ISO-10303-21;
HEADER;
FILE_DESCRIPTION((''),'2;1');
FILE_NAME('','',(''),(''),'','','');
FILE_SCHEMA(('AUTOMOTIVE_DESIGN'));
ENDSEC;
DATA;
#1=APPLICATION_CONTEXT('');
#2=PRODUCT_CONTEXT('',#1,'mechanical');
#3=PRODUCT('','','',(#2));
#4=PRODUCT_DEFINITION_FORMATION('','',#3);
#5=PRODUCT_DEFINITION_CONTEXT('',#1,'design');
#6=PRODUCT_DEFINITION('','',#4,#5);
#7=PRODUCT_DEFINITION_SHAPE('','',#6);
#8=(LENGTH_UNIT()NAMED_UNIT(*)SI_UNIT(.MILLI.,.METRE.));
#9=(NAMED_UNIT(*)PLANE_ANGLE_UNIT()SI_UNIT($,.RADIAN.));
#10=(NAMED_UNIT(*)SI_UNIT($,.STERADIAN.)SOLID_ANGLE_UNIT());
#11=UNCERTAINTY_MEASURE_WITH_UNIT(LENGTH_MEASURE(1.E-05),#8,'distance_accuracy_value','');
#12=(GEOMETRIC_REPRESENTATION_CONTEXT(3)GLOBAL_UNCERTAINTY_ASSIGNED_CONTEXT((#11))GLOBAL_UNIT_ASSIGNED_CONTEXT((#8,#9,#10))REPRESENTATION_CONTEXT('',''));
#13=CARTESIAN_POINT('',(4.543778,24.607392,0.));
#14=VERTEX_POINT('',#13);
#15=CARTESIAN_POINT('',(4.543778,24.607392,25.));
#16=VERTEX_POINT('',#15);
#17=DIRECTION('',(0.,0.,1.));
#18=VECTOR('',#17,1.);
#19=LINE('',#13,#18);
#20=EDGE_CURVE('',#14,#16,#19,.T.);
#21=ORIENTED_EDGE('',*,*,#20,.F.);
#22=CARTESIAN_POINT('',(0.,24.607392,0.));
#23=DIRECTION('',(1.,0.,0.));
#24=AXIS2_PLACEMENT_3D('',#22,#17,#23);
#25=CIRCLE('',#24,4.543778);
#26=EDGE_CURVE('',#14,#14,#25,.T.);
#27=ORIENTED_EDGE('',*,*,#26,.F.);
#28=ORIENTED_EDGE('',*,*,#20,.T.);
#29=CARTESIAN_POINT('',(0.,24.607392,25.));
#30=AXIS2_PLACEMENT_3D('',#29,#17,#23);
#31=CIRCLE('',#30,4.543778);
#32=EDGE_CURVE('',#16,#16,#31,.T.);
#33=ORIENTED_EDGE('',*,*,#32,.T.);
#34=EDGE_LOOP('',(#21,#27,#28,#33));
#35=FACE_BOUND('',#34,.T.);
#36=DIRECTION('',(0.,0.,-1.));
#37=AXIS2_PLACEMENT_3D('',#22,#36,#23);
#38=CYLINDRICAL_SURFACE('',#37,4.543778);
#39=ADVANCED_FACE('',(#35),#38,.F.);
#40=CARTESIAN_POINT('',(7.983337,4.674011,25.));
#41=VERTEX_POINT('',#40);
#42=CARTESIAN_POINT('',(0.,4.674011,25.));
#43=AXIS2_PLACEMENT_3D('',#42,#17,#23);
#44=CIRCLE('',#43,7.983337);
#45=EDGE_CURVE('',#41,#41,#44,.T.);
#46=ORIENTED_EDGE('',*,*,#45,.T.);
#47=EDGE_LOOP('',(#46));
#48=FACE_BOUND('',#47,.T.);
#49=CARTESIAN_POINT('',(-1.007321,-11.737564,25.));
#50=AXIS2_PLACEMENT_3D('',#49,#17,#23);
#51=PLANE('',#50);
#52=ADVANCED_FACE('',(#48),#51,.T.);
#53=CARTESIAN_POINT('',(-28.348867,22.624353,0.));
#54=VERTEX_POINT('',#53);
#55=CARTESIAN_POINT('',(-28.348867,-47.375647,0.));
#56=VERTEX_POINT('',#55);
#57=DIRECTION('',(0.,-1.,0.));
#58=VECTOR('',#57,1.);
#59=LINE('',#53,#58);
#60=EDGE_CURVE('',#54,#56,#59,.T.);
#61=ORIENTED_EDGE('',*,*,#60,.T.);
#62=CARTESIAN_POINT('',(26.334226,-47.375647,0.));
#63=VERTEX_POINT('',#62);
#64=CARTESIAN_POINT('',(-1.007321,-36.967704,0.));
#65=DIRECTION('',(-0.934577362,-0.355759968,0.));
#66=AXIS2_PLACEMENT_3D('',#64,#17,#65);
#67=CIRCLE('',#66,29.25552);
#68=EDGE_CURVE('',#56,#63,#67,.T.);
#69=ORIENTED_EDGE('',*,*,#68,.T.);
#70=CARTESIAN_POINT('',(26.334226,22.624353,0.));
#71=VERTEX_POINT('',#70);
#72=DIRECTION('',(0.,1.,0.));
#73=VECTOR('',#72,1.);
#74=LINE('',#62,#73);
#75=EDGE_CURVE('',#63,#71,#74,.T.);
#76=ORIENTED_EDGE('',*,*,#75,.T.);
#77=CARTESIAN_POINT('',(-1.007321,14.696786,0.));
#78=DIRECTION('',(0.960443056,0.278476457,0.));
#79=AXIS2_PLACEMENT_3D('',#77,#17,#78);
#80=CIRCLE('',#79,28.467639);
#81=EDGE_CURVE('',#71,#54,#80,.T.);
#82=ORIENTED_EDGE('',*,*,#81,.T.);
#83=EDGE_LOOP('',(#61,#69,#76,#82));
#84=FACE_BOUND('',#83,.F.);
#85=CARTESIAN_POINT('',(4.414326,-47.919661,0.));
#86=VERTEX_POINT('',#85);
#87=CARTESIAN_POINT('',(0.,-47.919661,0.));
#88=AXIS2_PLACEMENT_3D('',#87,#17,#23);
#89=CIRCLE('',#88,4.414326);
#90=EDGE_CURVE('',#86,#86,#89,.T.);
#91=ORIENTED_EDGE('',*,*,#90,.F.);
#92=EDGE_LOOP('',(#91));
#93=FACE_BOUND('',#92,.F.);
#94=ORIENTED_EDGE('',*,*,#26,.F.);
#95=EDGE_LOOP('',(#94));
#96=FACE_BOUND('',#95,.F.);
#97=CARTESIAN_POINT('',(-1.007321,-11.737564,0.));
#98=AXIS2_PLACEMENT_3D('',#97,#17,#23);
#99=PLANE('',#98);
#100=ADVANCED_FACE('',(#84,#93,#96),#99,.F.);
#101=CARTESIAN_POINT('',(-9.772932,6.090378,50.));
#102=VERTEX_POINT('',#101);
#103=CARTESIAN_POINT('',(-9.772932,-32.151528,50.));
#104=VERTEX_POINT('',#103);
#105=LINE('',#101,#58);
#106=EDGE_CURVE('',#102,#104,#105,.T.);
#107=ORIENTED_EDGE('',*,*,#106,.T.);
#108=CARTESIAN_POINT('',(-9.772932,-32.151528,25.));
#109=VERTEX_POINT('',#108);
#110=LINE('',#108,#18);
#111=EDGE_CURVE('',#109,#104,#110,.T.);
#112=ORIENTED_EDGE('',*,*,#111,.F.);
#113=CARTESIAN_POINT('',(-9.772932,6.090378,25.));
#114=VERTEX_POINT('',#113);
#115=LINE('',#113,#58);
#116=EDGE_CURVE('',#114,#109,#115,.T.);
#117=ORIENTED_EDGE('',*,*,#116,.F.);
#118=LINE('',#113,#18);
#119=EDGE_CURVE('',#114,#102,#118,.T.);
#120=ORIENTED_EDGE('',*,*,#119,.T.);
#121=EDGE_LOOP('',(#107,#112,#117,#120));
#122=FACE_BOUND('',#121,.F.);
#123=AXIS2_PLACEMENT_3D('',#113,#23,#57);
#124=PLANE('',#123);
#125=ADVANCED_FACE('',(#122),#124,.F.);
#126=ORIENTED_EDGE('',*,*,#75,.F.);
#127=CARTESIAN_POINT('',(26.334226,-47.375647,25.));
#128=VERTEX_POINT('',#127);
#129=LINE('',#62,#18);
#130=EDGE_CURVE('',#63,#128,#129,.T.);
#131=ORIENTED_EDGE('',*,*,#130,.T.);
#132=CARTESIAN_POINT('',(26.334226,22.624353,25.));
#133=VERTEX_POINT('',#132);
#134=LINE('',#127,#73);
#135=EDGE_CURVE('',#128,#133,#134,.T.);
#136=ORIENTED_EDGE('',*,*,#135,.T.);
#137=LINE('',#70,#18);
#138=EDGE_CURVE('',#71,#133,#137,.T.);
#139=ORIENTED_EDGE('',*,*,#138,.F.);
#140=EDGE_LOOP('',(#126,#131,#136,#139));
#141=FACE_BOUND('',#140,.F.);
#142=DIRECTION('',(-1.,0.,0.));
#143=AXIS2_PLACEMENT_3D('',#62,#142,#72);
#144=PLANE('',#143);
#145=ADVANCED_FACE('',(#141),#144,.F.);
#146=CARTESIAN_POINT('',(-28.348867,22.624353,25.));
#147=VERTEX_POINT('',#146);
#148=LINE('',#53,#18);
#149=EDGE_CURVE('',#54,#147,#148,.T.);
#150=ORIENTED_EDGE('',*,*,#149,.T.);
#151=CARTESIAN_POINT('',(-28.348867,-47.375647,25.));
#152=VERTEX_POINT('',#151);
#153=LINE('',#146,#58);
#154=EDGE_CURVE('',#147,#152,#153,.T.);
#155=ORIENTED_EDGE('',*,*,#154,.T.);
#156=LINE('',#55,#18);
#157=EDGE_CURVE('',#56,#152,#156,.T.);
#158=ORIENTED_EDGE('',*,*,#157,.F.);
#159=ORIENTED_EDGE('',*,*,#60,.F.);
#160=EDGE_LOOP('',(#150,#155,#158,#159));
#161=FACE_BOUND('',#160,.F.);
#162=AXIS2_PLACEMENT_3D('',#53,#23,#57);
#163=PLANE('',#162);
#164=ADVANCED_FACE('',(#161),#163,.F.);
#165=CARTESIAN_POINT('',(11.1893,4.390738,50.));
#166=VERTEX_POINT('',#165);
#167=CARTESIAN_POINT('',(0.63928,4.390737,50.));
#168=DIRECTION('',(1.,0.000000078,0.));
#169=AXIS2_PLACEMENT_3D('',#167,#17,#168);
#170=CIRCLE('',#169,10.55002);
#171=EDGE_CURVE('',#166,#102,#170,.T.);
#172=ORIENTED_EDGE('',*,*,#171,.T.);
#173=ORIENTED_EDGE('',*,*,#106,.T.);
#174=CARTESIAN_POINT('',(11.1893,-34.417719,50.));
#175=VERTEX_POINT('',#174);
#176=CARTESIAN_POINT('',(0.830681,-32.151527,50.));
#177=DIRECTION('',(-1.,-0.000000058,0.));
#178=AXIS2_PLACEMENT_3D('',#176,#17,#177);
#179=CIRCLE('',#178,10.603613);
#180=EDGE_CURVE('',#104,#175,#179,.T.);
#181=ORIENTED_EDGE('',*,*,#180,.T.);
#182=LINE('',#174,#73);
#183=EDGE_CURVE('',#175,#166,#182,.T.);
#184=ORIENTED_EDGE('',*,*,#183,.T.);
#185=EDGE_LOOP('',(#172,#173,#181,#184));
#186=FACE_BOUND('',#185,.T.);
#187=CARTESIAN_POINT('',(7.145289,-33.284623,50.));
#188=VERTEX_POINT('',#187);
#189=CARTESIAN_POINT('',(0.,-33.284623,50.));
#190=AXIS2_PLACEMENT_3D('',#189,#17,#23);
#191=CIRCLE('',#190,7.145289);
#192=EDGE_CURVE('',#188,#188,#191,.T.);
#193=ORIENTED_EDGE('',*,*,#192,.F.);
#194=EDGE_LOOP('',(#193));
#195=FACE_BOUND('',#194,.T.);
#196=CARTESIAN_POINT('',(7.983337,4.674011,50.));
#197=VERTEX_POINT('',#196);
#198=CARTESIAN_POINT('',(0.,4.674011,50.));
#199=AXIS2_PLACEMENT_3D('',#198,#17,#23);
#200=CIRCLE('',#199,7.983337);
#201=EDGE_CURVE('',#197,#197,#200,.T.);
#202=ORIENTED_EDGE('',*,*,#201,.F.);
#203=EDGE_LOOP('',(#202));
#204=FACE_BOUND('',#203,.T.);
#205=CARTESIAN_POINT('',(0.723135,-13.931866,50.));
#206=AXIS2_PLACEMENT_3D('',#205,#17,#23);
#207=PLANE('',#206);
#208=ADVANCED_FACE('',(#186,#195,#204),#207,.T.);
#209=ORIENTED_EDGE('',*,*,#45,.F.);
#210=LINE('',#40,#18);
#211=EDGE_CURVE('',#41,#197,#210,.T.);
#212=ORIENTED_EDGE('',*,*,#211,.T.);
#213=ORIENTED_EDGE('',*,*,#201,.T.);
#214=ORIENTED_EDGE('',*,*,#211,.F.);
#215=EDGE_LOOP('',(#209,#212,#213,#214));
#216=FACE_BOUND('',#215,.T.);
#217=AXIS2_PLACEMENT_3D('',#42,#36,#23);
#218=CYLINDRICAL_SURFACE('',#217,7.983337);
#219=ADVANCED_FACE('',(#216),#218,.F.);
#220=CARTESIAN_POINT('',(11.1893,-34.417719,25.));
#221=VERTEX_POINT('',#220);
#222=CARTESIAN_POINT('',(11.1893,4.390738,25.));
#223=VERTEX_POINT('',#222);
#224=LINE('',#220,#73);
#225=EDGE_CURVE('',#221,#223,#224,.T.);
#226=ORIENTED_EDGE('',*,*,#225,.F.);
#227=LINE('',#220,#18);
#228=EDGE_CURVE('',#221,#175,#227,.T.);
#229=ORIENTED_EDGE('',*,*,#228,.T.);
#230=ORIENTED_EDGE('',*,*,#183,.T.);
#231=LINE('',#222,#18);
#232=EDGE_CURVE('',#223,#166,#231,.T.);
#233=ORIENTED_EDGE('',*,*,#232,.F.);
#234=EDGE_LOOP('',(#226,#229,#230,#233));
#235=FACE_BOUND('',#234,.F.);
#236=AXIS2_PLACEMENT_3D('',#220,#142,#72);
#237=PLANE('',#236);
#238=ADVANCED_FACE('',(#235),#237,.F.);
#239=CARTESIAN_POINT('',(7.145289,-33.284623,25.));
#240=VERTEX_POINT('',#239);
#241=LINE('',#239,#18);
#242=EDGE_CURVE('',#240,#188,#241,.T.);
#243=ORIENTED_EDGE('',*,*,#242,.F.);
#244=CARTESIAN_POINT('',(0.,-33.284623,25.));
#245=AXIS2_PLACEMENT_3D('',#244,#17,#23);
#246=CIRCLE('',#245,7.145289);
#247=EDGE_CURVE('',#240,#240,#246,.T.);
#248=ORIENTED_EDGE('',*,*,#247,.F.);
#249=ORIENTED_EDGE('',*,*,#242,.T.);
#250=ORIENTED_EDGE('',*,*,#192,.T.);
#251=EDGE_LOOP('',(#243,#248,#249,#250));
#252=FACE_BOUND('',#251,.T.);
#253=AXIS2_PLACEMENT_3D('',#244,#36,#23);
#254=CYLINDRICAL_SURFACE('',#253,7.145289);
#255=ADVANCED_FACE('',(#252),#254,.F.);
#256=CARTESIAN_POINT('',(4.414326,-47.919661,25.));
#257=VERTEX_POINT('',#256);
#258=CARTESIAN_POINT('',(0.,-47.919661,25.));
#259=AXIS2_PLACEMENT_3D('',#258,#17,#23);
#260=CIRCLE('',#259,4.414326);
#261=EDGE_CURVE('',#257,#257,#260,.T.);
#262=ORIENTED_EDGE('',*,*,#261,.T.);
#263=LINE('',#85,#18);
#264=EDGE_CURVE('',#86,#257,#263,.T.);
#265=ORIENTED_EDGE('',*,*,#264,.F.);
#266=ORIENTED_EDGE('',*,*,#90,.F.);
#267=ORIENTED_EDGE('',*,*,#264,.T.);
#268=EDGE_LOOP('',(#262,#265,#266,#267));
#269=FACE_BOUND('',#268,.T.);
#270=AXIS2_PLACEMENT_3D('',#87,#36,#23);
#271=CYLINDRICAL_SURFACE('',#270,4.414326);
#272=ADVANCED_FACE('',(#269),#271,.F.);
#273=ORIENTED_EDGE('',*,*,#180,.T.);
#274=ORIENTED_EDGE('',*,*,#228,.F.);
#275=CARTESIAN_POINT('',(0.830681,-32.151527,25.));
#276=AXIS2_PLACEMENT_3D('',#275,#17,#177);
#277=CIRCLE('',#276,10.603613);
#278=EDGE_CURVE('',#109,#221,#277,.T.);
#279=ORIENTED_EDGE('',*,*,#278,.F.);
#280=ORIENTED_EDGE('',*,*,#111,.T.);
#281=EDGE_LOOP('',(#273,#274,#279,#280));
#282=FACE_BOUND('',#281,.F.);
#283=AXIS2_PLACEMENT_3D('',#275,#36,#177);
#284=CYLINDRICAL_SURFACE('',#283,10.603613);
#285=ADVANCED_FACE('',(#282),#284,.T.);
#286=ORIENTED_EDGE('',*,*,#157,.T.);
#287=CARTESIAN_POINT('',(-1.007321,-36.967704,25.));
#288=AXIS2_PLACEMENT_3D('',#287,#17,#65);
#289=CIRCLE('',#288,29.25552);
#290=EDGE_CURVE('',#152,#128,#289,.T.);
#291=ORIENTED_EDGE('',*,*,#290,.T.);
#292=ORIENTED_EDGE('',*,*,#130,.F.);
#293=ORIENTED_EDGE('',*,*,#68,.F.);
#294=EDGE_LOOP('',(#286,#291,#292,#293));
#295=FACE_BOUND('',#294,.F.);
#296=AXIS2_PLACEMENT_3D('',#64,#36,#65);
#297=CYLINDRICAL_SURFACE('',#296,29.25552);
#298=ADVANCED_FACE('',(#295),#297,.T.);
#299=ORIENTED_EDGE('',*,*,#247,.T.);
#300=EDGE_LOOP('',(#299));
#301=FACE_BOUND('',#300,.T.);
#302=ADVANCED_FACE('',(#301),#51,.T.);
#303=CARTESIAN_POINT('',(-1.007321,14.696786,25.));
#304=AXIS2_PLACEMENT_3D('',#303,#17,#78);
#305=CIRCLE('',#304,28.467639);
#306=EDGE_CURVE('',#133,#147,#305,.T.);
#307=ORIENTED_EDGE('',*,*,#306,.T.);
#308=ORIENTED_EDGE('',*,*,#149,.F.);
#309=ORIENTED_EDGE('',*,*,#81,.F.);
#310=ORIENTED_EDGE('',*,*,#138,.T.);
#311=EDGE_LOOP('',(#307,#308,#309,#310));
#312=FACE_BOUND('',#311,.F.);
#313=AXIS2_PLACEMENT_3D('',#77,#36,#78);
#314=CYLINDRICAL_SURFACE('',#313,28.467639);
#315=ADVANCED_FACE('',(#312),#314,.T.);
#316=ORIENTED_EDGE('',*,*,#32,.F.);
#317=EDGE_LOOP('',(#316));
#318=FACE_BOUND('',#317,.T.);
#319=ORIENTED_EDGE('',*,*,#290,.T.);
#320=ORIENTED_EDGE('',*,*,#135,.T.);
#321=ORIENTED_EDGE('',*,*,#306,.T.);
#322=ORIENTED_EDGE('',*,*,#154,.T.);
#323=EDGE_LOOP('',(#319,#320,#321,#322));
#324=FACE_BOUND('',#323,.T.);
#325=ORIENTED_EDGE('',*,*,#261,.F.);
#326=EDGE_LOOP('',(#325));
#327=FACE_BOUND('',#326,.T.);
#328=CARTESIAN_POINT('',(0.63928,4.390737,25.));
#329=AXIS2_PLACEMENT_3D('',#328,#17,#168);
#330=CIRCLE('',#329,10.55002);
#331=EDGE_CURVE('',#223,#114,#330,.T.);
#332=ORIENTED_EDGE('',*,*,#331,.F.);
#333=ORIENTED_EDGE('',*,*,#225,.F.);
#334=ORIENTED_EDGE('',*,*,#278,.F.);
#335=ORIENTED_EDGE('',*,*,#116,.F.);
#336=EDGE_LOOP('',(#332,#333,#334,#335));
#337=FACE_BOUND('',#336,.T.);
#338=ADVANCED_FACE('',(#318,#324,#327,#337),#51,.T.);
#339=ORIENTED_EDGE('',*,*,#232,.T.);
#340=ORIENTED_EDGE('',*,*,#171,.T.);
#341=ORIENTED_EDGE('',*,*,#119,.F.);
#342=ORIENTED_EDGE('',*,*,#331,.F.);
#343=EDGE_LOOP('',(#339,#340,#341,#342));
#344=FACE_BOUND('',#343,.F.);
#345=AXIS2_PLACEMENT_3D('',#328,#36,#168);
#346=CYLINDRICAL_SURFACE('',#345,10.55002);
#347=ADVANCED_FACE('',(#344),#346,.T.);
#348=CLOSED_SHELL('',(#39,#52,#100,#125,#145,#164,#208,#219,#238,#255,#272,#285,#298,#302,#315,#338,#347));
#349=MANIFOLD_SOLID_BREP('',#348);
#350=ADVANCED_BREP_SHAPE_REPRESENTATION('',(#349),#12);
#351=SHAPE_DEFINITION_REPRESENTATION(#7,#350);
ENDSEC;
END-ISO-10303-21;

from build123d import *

# Parameters (mm, degrees)
F0_R     = 4.414326
F0_R_2   = 4.543778
F1_DEPTH = 25
F2_R     = 7.145289
F2_R_2   = 7.983337
F3_DEPTH = 25


with BuildPart() as f1:
    # F0 (on Top) → F1 (new body)
    with BuildSketch(Plane.XY):
        with BuildLine():
            ThreePointArc((26.334226, 22.624353), (-1.00732, 43.164425), (-28.348867, 22.624353))
            Line((-28.348867, 22.624353), (-28.348867, -47.375647))
            ThreePointArc((-28.348867, -47.375647), (-1.00732, -66.223224), (26.334226, -47.375647))
            Line((26.334226, -47.375647), (26.334226, 22.624353))
        make_face()
        with Locations((0, -47.919661)):
            Circle(F0_R, mode=Mode.SUBTRACT)
        with Locations((0, 24.607392)):
            Circle(F0_R_2, mode=Mode.SUBTRACT)
    extrude(amount=F1_DEPTH)

    # F2 (on face) → F3 (join)
    with BuildSketch(Plane.XY.offset(25)):
        with BuildLine():
            Line((-9.772932, 6.090378), (-9.772932, -32.151528))
            ThreePointArc((-9.772932, -32.151528), (-0.309017, -42.693714), (11.1893, -34.417719))
            Line((11.1893, -34.417719), (11.1893, 4.390738))
            ThreePointArc((11.1893, 4.390738), (1.491888, 14.906249), (-9.772932, 6.090378))
        make_face()
        with Locations((0, -33.284623)):
            Circle(F2_R, mode=Mode.SUBTRACT)
        with Locations((0, 4.674011)):
            Circle(F2_R_2, mode=Mode.SUBTRACT)
    extrude(amount=F3_DEPTH)


solid = f1.part
